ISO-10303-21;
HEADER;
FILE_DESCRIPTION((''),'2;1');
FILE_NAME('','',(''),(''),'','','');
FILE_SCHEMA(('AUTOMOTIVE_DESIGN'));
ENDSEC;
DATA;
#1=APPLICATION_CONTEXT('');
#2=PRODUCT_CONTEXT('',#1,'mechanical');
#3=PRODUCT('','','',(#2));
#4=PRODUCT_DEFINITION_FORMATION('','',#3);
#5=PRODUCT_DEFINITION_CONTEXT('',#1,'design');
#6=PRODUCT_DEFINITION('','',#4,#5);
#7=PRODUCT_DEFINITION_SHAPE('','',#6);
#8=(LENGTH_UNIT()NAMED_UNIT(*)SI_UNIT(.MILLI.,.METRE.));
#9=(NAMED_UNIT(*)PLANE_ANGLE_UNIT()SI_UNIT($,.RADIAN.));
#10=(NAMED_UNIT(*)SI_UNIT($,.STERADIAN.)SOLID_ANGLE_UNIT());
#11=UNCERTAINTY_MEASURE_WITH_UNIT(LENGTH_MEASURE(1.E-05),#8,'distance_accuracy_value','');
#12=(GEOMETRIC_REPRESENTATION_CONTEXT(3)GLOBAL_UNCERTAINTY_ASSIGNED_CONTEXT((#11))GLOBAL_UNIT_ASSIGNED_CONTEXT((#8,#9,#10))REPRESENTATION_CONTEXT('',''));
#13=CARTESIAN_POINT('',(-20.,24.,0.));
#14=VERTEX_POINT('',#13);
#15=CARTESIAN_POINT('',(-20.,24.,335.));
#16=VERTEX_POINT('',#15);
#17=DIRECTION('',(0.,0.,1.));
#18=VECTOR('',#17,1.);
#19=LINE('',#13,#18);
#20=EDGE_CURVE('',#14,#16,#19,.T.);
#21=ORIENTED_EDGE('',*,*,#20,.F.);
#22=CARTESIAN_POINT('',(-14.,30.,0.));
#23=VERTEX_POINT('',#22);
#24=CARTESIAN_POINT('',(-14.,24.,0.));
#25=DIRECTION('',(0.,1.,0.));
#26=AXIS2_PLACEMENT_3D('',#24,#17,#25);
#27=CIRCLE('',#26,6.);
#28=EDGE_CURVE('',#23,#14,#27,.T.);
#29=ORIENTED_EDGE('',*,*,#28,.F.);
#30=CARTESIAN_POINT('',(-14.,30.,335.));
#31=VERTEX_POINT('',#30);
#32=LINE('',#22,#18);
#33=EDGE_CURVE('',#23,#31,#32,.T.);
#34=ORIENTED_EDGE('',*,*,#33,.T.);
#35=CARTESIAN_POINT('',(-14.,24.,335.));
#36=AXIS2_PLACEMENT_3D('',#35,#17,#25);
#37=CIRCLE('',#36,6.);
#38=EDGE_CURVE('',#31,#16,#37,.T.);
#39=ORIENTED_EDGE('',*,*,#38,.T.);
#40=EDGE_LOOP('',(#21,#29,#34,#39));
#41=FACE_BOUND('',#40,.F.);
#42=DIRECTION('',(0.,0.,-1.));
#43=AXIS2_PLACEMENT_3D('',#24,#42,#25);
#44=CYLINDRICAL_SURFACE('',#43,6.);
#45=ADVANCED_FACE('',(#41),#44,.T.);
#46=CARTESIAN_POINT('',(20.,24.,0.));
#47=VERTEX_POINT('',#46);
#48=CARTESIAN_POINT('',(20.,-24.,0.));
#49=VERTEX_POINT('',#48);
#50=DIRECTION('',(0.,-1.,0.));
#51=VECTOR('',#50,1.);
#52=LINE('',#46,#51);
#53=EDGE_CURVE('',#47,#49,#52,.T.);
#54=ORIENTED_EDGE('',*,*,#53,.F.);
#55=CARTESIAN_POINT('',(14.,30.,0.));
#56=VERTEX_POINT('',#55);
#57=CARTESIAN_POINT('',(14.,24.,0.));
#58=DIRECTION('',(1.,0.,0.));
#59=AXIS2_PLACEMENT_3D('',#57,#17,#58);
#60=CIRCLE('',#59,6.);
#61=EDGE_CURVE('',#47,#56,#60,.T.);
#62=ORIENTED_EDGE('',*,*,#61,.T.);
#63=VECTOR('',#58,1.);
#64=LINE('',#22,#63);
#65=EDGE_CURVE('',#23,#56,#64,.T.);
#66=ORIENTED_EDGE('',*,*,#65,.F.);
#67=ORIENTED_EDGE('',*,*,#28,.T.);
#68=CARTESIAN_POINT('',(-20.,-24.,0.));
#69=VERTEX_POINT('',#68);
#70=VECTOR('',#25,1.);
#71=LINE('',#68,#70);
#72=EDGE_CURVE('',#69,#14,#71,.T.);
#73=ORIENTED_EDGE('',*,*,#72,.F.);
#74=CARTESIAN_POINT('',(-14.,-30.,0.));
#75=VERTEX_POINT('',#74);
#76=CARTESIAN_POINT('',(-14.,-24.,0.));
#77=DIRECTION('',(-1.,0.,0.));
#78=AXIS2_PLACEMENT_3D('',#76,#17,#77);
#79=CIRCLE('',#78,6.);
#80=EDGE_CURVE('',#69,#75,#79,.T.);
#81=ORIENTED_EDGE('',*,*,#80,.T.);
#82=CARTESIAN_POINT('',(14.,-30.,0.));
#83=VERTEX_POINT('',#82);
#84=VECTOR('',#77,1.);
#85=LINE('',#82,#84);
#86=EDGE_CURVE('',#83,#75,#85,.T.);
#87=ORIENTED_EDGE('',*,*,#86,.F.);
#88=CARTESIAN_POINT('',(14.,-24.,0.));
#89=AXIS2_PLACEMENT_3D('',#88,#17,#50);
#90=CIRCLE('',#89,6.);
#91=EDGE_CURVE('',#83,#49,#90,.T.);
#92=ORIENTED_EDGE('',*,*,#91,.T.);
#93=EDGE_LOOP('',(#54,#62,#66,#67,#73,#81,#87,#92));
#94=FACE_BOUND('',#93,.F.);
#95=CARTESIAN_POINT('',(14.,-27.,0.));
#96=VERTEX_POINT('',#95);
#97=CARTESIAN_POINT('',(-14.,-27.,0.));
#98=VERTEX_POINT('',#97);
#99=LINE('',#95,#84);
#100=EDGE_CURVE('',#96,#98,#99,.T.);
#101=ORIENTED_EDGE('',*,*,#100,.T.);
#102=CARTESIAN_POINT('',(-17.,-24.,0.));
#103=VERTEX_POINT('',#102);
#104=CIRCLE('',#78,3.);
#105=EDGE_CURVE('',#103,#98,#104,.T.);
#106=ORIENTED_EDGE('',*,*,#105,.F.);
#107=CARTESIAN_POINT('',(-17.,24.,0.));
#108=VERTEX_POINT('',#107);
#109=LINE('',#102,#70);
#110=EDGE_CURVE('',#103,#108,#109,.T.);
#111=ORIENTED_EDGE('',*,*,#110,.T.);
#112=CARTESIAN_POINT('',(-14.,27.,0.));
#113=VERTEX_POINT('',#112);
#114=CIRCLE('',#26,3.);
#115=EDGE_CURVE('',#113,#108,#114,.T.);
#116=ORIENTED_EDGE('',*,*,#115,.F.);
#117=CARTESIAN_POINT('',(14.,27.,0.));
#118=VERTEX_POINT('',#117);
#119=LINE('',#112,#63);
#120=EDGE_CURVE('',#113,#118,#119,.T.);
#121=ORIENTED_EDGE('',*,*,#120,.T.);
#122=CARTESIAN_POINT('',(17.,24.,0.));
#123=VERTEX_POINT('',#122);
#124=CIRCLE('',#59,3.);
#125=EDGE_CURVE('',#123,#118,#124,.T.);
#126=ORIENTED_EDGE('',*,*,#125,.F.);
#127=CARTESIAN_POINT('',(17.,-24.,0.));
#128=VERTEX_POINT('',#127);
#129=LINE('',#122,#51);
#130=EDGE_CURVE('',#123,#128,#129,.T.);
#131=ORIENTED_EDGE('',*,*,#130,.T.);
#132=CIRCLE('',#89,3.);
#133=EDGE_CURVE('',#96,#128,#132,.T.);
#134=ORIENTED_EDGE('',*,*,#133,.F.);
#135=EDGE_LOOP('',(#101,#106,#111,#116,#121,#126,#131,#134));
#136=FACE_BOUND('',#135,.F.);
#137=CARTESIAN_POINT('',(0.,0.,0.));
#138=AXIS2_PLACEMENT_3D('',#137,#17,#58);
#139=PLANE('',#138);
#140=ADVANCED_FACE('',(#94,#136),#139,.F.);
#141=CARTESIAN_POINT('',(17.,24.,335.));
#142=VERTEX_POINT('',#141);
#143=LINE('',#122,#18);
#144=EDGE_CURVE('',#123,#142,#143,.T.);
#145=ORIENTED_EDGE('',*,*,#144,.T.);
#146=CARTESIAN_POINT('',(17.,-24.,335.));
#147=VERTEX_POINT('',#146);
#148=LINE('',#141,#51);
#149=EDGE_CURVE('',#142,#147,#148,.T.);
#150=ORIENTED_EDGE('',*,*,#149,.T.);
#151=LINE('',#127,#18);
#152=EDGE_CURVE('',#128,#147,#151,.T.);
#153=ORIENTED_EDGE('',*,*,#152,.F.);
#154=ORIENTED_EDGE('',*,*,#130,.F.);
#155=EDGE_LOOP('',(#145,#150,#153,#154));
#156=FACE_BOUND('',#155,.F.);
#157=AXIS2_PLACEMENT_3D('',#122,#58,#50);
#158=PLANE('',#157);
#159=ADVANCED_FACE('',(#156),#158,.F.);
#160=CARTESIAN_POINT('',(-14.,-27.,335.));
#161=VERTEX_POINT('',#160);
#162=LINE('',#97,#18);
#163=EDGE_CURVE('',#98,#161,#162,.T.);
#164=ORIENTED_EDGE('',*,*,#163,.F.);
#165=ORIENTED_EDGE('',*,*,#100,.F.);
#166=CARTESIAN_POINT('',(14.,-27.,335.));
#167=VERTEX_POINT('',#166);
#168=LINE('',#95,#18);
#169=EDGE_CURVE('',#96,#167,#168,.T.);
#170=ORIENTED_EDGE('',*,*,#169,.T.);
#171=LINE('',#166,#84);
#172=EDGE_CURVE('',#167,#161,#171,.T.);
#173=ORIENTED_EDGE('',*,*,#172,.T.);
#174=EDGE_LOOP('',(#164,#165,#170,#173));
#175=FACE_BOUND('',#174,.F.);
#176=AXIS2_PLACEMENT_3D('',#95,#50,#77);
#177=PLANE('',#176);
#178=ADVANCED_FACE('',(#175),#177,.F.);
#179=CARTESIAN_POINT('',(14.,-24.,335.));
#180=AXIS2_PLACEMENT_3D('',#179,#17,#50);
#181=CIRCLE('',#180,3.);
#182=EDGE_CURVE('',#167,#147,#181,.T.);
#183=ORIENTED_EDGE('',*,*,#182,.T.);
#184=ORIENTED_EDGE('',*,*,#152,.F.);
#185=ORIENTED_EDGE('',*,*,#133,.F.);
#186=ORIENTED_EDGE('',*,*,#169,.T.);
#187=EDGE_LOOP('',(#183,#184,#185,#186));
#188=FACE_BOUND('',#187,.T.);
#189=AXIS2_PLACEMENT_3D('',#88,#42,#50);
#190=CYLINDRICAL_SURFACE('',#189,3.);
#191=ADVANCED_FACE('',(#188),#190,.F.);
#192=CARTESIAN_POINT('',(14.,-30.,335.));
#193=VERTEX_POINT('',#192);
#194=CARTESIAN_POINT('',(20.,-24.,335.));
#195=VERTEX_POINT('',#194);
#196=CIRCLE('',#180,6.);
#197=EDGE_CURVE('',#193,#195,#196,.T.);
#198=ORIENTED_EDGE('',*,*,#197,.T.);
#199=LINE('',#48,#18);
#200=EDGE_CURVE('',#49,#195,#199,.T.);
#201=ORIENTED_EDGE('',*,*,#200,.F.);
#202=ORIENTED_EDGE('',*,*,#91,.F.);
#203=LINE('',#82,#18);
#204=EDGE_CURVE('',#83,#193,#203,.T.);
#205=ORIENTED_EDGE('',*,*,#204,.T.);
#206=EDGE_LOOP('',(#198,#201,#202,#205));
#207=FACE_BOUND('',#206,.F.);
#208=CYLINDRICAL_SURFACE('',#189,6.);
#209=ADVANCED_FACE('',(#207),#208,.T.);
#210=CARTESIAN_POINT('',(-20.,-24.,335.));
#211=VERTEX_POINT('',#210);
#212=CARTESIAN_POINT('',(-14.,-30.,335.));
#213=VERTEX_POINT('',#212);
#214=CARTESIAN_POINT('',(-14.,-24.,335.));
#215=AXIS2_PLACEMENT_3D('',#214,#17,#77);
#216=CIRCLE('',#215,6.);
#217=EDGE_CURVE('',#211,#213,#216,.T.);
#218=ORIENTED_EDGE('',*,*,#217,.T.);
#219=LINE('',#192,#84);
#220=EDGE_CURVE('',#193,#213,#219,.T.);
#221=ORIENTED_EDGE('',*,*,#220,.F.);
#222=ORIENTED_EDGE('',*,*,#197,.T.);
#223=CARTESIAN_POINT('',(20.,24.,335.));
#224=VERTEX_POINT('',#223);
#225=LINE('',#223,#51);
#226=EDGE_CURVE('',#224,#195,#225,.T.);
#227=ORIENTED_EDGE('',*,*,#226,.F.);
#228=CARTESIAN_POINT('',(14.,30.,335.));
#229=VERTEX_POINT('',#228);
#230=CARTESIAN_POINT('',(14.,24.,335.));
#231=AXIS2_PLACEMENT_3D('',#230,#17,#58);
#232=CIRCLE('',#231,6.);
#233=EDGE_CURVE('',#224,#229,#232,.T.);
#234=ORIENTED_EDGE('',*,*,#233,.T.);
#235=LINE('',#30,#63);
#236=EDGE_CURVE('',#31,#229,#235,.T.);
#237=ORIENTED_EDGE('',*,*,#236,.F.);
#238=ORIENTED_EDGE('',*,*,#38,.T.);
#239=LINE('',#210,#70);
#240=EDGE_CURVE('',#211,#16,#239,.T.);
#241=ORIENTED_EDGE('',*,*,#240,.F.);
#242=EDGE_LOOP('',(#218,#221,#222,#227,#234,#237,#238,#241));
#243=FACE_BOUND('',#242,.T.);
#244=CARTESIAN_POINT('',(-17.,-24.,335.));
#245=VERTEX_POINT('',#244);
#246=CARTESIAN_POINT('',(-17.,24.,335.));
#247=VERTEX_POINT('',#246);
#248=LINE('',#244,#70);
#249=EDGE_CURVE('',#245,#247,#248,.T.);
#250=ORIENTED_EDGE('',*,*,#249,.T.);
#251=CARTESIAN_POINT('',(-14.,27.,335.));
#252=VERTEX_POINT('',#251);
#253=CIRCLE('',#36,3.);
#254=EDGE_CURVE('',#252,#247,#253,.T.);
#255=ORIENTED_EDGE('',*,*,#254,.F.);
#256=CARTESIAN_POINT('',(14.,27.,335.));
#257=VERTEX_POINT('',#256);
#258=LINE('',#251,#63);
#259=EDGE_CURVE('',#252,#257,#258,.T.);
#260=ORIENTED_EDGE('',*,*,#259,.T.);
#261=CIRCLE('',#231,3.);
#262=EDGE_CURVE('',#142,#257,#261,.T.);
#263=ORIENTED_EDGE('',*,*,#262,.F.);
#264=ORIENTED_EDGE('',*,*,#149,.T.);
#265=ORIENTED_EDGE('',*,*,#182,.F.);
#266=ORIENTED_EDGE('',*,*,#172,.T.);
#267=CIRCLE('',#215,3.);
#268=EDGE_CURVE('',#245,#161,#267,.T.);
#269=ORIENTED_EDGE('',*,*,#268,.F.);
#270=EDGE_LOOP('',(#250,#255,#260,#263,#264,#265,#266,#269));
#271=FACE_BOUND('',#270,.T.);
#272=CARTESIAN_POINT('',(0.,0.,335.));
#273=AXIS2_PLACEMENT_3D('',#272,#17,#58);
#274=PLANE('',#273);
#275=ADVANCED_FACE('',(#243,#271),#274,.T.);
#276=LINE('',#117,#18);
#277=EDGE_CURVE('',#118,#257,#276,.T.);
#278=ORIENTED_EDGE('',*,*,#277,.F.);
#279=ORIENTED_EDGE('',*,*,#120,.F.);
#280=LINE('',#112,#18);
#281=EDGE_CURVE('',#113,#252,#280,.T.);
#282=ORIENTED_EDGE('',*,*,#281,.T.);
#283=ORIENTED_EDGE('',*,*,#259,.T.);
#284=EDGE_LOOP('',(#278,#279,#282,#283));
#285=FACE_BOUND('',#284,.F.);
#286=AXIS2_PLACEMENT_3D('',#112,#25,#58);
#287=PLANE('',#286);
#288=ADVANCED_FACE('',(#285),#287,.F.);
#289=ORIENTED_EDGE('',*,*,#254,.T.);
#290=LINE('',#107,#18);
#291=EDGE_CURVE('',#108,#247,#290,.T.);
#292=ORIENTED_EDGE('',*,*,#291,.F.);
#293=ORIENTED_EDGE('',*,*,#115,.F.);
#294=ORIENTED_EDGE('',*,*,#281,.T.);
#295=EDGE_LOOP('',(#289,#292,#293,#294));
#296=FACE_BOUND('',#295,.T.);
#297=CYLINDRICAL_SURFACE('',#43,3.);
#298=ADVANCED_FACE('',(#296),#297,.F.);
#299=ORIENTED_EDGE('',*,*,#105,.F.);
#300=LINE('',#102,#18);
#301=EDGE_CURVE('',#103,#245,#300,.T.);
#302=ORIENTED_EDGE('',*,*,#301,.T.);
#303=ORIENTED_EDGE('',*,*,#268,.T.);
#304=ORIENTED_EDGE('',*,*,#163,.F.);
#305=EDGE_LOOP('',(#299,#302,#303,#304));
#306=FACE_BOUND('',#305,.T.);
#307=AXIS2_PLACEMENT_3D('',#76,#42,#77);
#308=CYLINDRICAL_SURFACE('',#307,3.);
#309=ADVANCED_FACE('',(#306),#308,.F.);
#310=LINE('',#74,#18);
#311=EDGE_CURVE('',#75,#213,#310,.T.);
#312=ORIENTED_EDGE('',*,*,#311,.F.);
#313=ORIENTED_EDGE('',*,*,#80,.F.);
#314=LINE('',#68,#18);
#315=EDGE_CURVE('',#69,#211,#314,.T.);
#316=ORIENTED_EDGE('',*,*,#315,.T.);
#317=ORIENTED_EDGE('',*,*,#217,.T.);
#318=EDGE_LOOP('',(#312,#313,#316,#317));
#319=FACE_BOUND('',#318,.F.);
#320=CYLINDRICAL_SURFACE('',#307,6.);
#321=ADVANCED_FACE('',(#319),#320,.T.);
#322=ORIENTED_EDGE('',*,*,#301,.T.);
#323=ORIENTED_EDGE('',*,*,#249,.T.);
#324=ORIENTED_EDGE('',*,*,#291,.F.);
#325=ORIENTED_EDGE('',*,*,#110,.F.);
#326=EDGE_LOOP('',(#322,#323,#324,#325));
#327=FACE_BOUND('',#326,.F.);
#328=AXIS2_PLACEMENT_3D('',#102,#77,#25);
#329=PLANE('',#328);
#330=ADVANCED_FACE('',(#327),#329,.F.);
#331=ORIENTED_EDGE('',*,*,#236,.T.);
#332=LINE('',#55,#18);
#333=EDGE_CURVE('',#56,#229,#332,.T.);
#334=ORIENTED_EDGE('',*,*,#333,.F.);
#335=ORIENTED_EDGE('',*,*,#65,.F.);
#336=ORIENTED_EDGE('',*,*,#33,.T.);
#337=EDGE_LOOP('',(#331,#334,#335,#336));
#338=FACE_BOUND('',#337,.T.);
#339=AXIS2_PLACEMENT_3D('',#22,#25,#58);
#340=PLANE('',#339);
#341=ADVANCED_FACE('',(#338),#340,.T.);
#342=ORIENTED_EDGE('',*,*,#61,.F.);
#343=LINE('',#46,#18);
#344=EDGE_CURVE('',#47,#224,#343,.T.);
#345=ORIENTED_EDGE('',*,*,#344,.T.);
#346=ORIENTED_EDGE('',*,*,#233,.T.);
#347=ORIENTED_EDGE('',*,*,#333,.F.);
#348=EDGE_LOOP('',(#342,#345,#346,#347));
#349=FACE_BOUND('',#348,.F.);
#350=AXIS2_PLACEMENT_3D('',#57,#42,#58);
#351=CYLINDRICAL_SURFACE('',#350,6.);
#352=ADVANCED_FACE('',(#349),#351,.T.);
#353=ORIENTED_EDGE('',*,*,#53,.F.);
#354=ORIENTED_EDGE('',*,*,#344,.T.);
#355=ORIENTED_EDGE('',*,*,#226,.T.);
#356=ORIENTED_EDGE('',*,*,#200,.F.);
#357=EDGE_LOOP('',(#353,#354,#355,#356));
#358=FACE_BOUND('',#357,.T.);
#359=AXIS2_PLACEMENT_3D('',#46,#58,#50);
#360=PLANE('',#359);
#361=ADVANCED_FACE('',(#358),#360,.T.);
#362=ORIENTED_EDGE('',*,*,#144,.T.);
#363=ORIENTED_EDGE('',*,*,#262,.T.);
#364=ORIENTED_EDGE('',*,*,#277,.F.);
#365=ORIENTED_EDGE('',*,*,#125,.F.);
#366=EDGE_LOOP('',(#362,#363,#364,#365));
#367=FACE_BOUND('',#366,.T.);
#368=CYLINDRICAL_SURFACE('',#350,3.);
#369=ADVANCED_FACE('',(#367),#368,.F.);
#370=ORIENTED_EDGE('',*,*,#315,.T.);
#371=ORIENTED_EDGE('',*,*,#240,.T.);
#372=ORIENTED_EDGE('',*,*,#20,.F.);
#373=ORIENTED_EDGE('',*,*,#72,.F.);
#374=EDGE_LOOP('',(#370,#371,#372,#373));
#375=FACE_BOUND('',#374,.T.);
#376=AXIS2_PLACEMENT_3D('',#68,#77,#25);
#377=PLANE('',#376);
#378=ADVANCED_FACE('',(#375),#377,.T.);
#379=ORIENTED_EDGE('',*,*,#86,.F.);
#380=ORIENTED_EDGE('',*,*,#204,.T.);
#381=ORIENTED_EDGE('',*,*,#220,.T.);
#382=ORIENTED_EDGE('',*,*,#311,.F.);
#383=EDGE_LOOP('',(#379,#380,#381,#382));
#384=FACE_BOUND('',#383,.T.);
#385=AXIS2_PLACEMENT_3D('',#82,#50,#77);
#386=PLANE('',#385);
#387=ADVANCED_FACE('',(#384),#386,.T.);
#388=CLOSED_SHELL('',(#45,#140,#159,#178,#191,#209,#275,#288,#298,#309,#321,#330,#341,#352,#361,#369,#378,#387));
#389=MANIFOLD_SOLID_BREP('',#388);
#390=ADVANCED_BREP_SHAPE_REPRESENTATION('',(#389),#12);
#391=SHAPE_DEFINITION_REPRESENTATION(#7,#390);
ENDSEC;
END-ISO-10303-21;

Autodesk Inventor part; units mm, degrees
ref_plane "YZ Plane" through (0, 0, 0) normal (1, 0, 0) x (0, 1, 0)
ref_plane "Start Plane" through (0, 0, 0) normal (0, 0, 1) x (1, 0, 0)
ref_plane "End Plane" through (0, 0, 335) normal (0, 0, 1) x (1, 0, 0)
sketch "Sketch" plane through (0, 0, 0) normal (0, 0, 1) x (1, 0, 0)
  line L0 (-20, -24) -> (-20, 24)
  line L1 (-14, 30) -> (14, 30)
  line L2 (20, 24) -> (20, -24)
  line L3 (14, -30) -> (-14, -30)
  arc A0 (-20, -24) -> (-14, -30) centre (-14, -24) ccw
  arc A1 (20, 24) -> (14, 30) centre (14, 24) ccw
  arc A2 (-14, 30) -> (-20, 24) centre (-14, 24) ccw
  arc A3 (14, -30) -> (20, -24) centre (14, -24) ccw
  arc A4 (-14, 27) -> (-17, 24) centre (-14, 24) ccw
  line L4 (-14, 27) -> (14, 27)
  arc A5 (17, 24) -> (14, 27) centre (14, 24) ccw
  line L5 (17, 24) -> (17, -24)
  arc A6 (14, -27) -> (17, -24) centre (14, -24) ccw
  line L6 (14, -27) -> (-14, -27)
  arc A7 (-17, -24) -> (-14, -27) centre (-14, -24) ccw
  line L7 (-17, -24) -> (-17, 24)
  line L8 (0, 43.7397) -> (0, -43.7397) construction
  line L9 (-29.7397, 0) -> (29.7397, 0) construction
  dimension "d7" = 6
  dimension "d9" = 40
  dimension "d11" = 60
  dimension "d12" = 3
  dimension "d15" = 20
  dimension "d16" = 30
extrude "Body" add sketch "Sketch" along normal up to surface (335 mm away) from surface at 0
sketch "Sketch3" plane through (0, 0, 0) normal (0, 0, 1) x (1, 0, 0)
  line L0 (0, 0) -> (10, 0)
ref_plane "Work Plane3" through (0, 0, 0) normal (0, -1, 0) x (1, 0, 0)
sketch "Sketch4" plane through (0, 0, 0) normal (0, -1, 0) x (1, 0, 0)
  line L0 (-2, 0) -> (12, 0)
  line L1 (-2, 335) -> (12, 335)
  dimension "d18" = 335
equation "\"d7\" = G_IR"
equation "\"d9\" = G_W"
equation "\"d11\" = G_H"
equation "\"d12\" = G_T"
equation "\"d15\" = 0.5 * d9"
equation "\"d16\" = 0.5 * d11"
equation "\"d3\" = G_L"
equation "\"G_W\" = 40"
equation "\"G_H\" = 60"
equation "\"G_T\" = 3"
equation "\"G_IR\" = 6"
equation "\"G_L\" = d18"
equation "\"G_OFFSET_START\" = 0"
equation "\"G_OFFSET_END\" = 0"
equation "\"d14\" = G_OFFSET_END + B_L"
equation "\"B_L\" = 335"
properties part number "ISO 10799-2 - 60x40x3 - 335" material "Steel, Mild"
